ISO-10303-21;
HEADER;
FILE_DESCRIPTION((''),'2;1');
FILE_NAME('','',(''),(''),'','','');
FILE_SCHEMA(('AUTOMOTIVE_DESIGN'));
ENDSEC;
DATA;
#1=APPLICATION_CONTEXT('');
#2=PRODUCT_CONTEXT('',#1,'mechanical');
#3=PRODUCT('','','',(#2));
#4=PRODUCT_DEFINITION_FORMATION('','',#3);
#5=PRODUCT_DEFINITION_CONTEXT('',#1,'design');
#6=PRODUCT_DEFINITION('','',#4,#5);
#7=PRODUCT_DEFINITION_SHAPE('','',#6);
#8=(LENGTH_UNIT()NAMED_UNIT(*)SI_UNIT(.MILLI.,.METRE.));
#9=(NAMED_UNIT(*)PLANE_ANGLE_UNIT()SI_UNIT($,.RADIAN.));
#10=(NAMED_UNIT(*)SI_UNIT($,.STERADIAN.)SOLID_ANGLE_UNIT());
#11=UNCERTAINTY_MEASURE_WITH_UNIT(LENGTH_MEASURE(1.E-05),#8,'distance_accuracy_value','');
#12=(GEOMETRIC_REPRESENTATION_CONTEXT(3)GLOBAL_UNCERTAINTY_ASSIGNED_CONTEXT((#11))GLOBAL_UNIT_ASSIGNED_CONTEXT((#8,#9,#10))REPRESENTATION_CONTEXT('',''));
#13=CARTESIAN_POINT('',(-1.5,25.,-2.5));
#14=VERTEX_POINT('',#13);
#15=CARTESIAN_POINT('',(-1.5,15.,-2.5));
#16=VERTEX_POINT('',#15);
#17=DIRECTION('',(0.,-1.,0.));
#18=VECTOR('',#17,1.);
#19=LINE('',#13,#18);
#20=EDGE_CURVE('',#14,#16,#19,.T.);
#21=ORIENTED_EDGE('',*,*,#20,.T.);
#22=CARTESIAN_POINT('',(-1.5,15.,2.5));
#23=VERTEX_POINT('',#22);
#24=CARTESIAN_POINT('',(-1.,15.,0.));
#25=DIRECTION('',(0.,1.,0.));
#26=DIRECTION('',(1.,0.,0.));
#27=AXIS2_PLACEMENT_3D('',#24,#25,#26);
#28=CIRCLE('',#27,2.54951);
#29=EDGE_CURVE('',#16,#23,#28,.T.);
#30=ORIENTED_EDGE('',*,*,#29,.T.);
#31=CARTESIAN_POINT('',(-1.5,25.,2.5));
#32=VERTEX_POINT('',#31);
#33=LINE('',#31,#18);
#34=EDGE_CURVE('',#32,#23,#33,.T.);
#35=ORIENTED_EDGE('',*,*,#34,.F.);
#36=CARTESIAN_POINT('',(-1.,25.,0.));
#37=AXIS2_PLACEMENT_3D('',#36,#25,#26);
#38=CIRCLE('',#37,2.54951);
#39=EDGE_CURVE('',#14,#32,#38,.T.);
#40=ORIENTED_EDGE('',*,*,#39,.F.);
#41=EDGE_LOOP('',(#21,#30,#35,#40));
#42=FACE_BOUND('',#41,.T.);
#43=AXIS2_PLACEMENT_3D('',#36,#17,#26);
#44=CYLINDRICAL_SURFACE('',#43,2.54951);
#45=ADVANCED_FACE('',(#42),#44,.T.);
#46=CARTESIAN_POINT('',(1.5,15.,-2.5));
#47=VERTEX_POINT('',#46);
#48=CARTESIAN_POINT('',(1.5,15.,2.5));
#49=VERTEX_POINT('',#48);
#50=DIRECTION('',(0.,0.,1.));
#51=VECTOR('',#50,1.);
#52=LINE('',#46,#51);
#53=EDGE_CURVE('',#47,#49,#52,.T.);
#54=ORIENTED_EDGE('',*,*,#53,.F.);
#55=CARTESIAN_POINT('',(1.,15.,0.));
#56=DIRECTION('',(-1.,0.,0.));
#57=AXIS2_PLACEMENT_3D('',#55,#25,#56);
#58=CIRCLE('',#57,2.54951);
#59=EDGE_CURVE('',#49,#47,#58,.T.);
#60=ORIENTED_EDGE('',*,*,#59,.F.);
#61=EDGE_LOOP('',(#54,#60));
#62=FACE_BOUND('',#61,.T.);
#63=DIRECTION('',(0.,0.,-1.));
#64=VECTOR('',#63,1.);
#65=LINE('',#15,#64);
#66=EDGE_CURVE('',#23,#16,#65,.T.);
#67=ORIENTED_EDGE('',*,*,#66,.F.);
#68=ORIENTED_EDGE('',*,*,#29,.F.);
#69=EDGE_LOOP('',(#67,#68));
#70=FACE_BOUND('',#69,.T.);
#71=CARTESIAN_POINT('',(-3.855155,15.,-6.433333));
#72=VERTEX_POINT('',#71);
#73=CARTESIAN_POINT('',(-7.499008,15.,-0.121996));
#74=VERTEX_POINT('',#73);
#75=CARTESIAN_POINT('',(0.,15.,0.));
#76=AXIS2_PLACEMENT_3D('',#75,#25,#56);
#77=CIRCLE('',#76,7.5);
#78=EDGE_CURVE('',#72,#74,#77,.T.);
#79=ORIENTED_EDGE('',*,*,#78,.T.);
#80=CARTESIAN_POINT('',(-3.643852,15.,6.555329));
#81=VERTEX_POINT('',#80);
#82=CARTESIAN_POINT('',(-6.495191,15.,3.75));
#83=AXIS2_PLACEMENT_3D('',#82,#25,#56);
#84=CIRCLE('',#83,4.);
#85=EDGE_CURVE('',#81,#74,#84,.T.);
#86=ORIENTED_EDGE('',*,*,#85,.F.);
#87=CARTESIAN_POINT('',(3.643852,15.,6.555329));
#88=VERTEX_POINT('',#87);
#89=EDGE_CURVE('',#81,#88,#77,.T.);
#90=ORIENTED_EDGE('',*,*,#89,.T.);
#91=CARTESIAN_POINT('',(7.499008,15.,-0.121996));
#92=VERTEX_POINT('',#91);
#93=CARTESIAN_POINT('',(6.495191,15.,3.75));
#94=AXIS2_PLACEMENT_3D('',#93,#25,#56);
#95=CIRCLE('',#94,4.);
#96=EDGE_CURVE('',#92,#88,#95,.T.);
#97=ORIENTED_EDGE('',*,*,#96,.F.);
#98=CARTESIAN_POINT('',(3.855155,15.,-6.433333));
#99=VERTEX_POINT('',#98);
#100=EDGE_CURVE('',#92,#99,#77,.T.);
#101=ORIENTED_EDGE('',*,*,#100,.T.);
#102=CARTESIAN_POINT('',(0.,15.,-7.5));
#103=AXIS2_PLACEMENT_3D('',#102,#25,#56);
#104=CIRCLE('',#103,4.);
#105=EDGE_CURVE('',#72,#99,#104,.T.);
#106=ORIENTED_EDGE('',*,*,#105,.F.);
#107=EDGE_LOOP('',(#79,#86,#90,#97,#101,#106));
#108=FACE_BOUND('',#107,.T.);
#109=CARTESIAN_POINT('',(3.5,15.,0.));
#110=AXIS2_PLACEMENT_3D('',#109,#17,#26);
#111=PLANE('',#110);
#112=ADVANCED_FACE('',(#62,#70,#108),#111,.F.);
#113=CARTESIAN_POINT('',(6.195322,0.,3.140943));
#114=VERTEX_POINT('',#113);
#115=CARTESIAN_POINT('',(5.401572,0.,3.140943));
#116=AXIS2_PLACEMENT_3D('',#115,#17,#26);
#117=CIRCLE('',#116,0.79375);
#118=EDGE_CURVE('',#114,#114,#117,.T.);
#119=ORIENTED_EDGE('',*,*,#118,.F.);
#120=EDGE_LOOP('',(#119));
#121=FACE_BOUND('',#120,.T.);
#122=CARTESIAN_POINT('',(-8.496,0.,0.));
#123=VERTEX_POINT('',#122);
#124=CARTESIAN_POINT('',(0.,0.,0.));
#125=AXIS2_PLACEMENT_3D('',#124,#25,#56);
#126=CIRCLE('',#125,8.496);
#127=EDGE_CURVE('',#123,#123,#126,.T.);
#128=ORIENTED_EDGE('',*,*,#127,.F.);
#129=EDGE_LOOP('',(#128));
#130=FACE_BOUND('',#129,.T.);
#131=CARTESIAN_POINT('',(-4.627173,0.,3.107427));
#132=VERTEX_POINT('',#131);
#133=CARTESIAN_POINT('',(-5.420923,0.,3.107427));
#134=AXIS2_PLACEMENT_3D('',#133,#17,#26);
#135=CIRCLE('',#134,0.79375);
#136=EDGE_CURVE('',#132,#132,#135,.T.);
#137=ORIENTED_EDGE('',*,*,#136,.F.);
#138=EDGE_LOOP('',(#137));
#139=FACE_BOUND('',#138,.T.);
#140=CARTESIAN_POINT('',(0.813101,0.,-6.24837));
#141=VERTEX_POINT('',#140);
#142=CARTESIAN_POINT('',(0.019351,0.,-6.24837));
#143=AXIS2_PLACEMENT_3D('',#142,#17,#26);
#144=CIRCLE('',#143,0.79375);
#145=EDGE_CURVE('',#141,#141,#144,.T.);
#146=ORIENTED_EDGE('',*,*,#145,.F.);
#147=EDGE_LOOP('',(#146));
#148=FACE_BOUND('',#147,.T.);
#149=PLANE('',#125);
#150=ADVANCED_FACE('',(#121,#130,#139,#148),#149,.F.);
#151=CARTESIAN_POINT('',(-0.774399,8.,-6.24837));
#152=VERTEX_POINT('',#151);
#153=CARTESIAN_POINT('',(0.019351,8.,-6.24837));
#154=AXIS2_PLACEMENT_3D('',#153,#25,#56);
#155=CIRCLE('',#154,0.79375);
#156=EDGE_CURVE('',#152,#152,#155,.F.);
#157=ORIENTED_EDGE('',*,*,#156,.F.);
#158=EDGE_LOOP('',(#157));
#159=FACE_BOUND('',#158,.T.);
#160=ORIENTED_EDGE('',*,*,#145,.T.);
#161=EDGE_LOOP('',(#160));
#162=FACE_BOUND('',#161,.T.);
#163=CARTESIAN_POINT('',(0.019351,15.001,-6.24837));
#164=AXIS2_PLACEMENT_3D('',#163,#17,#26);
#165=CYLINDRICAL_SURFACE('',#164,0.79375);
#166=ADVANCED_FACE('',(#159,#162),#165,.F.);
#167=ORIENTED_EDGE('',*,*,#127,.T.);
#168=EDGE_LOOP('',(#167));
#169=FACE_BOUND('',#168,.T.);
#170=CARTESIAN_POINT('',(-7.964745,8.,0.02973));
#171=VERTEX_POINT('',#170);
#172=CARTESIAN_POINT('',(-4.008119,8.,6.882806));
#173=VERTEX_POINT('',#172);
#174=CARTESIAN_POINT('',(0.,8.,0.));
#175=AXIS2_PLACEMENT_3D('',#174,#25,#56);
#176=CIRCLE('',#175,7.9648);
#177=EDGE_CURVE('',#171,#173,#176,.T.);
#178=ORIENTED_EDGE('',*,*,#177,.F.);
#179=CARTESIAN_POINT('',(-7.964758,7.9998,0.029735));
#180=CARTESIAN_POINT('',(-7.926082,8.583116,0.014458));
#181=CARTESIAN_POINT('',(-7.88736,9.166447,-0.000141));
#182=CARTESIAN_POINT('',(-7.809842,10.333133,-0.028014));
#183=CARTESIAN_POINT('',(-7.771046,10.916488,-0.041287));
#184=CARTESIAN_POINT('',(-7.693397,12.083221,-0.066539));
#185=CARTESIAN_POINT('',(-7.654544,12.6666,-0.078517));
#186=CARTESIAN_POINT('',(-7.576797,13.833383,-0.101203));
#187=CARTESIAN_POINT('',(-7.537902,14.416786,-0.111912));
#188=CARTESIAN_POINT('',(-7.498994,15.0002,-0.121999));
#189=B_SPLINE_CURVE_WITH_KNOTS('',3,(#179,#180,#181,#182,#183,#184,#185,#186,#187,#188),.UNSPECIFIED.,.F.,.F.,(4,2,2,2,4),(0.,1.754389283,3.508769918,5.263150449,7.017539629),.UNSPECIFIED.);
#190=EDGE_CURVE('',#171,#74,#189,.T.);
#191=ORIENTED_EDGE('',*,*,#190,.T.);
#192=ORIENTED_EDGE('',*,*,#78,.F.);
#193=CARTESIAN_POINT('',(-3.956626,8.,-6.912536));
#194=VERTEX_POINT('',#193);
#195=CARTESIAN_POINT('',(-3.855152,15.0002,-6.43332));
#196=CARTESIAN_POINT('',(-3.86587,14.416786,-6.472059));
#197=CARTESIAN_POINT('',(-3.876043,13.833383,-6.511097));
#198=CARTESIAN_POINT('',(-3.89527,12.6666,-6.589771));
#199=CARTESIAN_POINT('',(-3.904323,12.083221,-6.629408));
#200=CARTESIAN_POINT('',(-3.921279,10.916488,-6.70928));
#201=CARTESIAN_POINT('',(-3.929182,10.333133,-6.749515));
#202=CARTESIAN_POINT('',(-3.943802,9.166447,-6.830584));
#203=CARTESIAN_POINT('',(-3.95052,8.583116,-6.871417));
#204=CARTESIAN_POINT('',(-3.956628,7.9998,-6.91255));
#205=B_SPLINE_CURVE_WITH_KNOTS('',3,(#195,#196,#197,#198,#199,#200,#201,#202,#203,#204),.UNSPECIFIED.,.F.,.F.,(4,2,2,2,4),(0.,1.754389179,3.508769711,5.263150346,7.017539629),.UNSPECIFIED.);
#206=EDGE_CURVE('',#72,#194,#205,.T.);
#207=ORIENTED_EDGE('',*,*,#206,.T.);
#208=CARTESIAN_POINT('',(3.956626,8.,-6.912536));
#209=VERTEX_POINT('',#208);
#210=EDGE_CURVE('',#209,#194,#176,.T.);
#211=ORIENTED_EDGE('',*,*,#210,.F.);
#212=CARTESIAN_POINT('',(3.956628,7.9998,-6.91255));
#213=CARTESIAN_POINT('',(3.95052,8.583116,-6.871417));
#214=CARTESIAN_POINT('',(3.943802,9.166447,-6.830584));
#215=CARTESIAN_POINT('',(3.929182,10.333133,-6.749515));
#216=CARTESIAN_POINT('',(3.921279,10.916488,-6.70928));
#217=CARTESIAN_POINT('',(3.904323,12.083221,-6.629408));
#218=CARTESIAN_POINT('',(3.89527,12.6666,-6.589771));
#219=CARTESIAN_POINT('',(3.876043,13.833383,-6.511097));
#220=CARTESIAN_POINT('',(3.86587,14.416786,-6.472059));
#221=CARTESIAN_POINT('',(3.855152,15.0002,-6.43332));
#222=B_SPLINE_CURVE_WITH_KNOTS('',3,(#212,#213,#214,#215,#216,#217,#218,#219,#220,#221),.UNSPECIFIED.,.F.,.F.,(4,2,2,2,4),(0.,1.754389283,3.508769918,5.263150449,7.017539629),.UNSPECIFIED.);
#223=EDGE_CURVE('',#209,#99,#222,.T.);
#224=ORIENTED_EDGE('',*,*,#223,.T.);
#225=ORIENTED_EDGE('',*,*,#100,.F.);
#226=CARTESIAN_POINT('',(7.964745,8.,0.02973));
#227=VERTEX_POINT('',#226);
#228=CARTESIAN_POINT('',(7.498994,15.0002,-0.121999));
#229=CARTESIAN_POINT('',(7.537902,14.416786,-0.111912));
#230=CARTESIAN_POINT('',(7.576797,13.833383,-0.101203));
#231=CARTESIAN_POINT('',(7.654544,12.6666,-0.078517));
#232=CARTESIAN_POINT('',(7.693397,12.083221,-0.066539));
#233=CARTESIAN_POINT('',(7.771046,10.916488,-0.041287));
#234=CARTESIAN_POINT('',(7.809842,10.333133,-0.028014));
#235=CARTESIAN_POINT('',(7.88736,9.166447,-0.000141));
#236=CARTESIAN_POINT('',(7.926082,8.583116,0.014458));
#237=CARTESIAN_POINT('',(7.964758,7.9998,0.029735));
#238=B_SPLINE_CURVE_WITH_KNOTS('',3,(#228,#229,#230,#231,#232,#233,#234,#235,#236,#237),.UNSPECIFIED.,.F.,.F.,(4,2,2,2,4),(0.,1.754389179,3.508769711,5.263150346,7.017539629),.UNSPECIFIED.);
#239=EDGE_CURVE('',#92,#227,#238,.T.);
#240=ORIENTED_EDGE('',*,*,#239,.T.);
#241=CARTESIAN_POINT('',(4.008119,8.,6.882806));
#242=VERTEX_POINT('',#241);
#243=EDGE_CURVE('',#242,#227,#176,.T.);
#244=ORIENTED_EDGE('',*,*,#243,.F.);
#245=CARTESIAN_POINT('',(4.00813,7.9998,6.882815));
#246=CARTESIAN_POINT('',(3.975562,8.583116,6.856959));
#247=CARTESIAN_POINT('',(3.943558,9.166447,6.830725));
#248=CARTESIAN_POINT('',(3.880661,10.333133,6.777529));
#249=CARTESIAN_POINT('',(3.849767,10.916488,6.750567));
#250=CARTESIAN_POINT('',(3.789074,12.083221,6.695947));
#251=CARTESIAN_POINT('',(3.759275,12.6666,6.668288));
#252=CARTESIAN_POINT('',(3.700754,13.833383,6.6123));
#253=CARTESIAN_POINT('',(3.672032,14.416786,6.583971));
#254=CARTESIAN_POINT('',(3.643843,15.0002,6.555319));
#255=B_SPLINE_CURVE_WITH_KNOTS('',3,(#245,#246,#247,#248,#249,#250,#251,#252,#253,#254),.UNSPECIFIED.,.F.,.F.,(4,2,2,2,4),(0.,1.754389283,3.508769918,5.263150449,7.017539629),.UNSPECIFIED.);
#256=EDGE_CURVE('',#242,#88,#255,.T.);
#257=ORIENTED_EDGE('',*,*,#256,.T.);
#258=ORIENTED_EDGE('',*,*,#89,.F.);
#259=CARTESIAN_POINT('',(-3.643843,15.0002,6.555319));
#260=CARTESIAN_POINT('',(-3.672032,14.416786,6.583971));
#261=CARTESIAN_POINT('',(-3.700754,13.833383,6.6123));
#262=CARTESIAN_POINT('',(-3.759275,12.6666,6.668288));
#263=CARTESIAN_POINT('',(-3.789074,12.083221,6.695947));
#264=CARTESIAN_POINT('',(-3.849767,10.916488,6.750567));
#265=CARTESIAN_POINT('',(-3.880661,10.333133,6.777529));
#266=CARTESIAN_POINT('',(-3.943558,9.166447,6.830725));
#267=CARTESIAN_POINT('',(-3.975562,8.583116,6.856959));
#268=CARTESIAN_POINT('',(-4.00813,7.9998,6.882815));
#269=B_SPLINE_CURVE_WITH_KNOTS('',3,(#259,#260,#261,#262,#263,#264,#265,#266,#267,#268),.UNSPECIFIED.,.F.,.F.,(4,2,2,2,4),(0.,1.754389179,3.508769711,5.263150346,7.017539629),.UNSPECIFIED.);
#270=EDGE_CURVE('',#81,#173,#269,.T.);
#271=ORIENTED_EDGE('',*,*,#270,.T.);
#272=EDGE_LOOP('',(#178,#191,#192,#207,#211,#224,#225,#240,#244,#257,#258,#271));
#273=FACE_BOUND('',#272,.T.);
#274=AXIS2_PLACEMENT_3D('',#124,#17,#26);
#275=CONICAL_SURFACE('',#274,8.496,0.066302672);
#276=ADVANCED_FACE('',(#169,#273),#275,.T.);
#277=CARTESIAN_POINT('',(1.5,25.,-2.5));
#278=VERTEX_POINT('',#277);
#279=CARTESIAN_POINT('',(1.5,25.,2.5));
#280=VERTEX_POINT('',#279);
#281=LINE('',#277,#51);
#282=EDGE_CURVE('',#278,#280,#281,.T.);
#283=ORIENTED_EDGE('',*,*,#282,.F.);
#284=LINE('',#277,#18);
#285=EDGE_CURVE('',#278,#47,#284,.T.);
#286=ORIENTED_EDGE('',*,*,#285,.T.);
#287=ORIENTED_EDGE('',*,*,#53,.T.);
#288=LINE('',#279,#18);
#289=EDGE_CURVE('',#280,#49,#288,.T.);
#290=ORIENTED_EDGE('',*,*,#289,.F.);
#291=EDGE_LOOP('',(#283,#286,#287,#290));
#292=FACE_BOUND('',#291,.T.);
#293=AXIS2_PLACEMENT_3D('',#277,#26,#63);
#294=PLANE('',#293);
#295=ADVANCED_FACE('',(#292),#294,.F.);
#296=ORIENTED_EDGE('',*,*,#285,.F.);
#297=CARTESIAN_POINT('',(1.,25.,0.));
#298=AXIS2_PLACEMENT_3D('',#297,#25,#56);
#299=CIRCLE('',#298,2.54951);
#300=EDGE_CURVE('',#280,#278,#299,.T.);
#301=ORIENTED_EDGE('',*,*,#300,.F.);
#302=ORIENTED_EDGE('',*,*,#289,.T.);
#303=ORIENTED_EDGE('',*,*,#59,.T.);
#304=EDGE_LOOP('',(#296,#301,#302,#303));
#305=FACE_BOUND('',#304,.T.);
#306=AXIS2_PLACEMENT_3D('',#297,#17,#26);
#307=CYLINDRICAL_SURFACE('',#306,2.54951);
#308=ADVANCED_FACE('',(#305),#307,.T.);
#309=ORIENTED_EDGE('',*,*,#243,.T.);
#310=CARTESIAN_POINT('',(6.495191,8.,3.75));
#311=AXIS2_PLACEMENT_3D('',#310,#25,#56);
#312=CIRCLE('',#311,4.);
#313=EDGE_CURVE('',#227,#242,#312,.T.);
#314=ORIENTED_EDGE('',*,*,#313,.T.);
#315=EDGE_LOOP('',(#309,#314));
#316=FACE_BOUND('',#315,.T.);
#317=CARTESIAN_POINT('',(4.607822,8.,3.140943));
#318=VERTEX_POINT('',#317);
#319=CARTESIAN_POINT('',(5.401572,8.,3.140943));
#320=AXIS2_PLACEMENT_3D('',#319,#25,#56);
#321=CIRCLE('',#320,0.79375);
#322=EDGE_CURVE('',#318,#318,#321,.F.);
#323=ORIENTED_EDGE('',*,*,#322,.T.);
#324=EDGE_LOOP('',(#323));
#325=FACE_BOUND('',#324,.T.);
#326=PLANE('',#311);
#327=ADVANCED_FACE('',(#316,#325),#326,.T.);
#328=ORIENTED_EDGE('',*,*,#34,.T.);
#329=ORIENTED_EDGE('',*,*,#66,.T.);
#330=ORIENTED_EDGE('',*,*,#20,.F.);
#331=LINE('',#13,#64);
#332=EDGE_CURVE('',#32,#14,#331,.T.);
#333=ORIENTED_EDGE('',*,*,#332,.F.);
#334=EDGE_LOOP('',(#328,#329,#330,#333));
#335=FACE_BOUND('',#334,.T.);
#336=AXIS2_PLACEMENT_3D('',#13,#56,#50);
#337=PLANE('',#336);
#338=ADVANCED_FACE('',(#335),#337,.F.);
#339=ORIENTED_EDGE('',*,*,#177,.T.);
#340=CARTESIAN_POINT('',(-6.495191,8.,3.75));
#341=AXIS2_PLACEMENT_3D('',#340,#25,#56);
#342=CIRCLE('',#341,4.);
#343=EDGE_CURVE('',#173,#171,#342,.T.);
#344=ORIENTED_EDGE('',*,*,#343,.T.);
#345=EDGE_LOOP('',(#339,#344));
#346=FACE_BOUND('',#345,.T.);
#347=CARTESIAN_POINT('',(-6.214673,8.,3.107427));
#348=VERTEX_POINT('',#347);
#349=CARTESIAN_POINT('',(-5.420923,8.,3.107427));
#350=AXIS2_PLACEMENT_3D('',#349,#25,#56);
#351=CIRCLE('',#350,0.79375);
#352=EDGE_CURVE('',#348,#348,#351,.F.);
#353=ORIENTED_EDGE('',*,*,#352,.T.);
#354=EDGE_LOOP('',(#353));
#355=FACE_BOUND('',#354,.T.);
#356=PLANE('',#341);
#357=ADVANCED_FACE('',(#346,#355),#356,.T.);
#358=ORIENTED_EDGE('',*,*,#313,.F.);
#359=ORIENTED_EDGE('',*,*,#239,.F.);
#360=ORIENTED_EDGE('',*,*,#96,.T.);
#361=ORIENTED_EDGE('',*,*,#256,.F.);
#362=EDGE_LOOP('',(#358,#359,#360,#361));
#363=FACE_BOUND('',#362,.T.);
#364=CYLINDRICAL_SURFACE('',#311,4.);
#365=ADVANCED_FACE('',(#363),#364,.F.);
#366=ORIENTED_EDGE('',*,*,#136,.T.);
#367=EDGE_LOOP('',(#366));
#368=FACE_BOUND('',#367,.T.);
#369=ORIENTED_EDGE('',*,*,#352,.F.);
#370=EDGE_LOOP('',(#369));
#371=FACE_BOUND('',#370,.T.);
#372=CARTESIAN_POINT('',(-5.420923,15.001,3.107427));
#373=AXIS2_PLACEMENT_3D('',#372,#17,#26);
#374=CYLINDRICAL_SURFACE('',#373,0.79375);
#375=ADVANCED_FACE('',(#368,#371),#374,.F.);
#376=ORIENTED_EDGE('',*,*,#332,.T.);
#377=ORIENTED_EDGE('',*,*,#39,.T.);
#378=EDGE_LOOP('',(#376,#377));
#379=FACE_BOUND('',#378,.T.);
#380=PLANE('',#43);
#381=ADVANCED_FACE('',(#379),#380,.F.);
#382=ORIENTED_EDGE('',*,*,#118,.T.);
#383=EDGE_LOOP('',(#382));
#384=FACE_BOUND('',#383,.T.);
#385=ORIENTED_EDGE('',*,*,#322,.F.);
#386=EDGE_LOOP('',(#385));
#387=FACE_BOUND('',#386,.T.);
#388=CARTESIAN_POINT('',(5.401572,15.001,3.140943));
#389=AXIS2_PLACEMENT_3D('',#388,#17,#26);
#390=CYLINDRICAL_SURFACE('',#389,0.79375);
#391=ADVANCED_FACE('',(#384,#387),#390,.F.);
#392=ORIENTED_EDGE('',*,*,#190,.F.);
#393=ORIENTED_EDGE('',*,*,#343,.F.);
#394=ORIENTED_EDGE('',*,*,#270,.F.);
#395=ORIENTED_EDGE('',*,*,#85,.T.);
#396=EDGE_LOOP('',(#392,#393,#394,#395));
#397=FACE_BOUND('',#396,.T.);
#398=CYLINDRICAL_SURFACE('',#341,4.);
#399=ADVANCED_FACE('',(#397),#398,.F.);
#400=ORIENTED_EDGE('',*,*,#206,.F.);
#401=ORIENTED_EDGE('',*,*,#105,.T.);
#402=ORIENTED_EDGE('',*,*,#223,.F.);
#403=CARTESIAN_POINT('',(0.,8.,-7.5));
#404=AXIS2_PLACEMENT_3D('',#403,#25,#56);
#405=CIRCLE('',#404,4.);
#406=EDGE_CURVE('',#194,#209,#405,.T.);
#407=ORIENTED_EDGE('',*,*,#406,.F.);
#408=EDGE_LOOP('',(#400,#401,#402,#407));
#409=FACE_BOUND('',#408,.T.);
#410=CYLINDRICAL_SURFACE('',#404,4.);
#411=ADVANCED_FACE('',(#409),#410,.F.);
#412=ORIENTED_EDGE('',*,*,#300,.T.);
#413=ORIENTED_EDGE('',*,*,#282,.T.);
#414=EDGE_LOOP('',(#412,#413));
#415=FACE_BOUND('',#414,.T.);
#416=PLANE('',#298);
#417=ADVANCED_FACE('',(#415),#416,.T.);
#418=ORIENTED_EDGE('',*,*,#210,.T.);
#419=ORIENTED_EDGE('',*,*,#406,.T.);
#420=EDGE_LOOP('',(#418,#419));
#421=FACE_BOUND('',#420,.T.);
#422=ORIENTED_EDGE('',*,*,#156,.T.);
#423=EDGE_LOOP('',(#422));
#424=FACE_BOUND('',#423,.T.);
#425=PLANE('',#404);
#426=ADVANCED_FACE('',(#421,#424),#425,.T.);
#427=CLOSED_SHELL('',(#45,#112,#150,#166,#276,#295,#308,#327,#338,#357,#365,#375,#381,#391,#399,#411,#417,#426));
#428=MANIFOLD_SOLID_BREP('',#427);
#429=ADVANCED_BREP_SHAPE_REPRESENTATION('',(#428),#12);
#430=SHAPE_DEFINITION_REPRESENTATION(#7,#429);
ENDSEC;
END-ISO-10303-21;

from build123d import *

# Parameters (mm, degrees)
CUT_EXTRUDE4_REACH  = 21.219
SKETCH5_R           = 0.79375
SKETCH4_R           = 4
CUT_EXTRUDE3_DEPTH  = 7
BOSS_EXTRUDE1_DEPTH = 10


with BuildPart() as part:
    # Sketch1 → Revolve1 (revolve)
    with BuildSketch(Plane.XY, mode=Mode.PRIVATE) as revolve1_sk:
        Polygon((0, 0), (8.496, 0), (7.5, 15), (3.5, 15), (0, 15), align=None)
    revolve(revolve1_sk.sketch.rotate(Axis((0, 15, 0), (0, -1, 0)), 180), axis=Axis((0, 15, 0), (0, -1, 0)))

    # Sketch5 → Cut-Extrude4 (cut, up to next)
    with BuildSketch(Plane.XZ, mode=Mode.PRIVATE) as cut_extrude4_sk1:
        with Locations((5.401571729, 3.140943396)):
            Circle(SKETCH5_R)
    cut_extrude4_tool1 = extrude(cut_extrude4_sk1.sketch, amount=-CUT_EXTRUDE4_REACH, mode=Mode.PRIVATE) & part.part
    # Sketch5 → Cut-Extrude4 (cut, up to next)
    with BuildSketch(Plane.XZ, mode=Mode.PRIVATE) as cut_extrude4_sk2:
        with Locations((0.019350908, -6.248370036)):
            Circle(SKETCH5_R)
    cut_extrude4_tool2 = extrude(cut_extrude4_sk2.sketch, amount=-CUT_EXTRUDE4_REACH, mode=Mode.PRIVATE) & part.part
    # Sketch5 → Cut-Extrude4 (cut, up to next)
    with BuildSketch(Plane.XZ, mode=Mode.PRIVATE) as cut_extrude4_sk3:
        with Locations((-5.420922637, 3.10742664)):
            Circle(SKETCH5_R)
    cut_extrude4_tool3 = extrude(cut_extrude4_sk3.sketch, amount=-CUT_EXTRUDE4_REACH, mode=Mode.PRIVATE) & part.part
    add(cut_extrude4_tool1.solids().sort_by_distance((5.401572, 0, 3.140943))[0], mode=Mode.SUBTRACT)
    add(cut_extrude4_tool2.solids().sort_by_distance((0.019351, 0, -6.24837))[0], mode=Mode.SUBTRACT)
    add(cut_extrude4_tool3.solids().sort_by_distance((-5.420923, 0, 3.107427))[0], mode=Mode.SUBTRACT)

    # Sketch4 → Cut-Extrude3 (cut)
    with BuildSketch(Plane(origin=(0, 15, 0), x_dir=(1, 0, 0), z_dir=(0, 1, 0))):
        with Locations((0, 7.5)):
            Circle(SKETCH4_R)
        with Locations((6.495190528, -3.75)):
            Circle(SKETCH4_R)
        with Locations((-6.495190528, -3.75)):
            Circle(SKETCH4_R)
    extrude(amount=-CUT_EXTRUDE3_DEPTH, mode=Mode.SUBTRACT)

    # Sketch8 → Boss-Extrude1 (add)
    with BuildSketch(Plane(origin=(0, 15, 0), x_dir=(1, 0, 0), z_dir=(0, 1, 0))):
        with BuildLine():
            Line((1.5, 2.5), (1.5, -2.5))
            ThreePointArc((1.5, -2.5), (3.549509757, 0), (1.5, 2.5))
        make_face()
        with BuildLine():
            Line((-1.5, 2.5), (-1.5, -2.5))
            ThreePointArc((-1.5, -2.5), (-3.549509757, 0), (-1.5, 2.5))
        make_face()
    extrude(amount=BOSS_EXTRUDE1_DEPTH)


solid = part.part
